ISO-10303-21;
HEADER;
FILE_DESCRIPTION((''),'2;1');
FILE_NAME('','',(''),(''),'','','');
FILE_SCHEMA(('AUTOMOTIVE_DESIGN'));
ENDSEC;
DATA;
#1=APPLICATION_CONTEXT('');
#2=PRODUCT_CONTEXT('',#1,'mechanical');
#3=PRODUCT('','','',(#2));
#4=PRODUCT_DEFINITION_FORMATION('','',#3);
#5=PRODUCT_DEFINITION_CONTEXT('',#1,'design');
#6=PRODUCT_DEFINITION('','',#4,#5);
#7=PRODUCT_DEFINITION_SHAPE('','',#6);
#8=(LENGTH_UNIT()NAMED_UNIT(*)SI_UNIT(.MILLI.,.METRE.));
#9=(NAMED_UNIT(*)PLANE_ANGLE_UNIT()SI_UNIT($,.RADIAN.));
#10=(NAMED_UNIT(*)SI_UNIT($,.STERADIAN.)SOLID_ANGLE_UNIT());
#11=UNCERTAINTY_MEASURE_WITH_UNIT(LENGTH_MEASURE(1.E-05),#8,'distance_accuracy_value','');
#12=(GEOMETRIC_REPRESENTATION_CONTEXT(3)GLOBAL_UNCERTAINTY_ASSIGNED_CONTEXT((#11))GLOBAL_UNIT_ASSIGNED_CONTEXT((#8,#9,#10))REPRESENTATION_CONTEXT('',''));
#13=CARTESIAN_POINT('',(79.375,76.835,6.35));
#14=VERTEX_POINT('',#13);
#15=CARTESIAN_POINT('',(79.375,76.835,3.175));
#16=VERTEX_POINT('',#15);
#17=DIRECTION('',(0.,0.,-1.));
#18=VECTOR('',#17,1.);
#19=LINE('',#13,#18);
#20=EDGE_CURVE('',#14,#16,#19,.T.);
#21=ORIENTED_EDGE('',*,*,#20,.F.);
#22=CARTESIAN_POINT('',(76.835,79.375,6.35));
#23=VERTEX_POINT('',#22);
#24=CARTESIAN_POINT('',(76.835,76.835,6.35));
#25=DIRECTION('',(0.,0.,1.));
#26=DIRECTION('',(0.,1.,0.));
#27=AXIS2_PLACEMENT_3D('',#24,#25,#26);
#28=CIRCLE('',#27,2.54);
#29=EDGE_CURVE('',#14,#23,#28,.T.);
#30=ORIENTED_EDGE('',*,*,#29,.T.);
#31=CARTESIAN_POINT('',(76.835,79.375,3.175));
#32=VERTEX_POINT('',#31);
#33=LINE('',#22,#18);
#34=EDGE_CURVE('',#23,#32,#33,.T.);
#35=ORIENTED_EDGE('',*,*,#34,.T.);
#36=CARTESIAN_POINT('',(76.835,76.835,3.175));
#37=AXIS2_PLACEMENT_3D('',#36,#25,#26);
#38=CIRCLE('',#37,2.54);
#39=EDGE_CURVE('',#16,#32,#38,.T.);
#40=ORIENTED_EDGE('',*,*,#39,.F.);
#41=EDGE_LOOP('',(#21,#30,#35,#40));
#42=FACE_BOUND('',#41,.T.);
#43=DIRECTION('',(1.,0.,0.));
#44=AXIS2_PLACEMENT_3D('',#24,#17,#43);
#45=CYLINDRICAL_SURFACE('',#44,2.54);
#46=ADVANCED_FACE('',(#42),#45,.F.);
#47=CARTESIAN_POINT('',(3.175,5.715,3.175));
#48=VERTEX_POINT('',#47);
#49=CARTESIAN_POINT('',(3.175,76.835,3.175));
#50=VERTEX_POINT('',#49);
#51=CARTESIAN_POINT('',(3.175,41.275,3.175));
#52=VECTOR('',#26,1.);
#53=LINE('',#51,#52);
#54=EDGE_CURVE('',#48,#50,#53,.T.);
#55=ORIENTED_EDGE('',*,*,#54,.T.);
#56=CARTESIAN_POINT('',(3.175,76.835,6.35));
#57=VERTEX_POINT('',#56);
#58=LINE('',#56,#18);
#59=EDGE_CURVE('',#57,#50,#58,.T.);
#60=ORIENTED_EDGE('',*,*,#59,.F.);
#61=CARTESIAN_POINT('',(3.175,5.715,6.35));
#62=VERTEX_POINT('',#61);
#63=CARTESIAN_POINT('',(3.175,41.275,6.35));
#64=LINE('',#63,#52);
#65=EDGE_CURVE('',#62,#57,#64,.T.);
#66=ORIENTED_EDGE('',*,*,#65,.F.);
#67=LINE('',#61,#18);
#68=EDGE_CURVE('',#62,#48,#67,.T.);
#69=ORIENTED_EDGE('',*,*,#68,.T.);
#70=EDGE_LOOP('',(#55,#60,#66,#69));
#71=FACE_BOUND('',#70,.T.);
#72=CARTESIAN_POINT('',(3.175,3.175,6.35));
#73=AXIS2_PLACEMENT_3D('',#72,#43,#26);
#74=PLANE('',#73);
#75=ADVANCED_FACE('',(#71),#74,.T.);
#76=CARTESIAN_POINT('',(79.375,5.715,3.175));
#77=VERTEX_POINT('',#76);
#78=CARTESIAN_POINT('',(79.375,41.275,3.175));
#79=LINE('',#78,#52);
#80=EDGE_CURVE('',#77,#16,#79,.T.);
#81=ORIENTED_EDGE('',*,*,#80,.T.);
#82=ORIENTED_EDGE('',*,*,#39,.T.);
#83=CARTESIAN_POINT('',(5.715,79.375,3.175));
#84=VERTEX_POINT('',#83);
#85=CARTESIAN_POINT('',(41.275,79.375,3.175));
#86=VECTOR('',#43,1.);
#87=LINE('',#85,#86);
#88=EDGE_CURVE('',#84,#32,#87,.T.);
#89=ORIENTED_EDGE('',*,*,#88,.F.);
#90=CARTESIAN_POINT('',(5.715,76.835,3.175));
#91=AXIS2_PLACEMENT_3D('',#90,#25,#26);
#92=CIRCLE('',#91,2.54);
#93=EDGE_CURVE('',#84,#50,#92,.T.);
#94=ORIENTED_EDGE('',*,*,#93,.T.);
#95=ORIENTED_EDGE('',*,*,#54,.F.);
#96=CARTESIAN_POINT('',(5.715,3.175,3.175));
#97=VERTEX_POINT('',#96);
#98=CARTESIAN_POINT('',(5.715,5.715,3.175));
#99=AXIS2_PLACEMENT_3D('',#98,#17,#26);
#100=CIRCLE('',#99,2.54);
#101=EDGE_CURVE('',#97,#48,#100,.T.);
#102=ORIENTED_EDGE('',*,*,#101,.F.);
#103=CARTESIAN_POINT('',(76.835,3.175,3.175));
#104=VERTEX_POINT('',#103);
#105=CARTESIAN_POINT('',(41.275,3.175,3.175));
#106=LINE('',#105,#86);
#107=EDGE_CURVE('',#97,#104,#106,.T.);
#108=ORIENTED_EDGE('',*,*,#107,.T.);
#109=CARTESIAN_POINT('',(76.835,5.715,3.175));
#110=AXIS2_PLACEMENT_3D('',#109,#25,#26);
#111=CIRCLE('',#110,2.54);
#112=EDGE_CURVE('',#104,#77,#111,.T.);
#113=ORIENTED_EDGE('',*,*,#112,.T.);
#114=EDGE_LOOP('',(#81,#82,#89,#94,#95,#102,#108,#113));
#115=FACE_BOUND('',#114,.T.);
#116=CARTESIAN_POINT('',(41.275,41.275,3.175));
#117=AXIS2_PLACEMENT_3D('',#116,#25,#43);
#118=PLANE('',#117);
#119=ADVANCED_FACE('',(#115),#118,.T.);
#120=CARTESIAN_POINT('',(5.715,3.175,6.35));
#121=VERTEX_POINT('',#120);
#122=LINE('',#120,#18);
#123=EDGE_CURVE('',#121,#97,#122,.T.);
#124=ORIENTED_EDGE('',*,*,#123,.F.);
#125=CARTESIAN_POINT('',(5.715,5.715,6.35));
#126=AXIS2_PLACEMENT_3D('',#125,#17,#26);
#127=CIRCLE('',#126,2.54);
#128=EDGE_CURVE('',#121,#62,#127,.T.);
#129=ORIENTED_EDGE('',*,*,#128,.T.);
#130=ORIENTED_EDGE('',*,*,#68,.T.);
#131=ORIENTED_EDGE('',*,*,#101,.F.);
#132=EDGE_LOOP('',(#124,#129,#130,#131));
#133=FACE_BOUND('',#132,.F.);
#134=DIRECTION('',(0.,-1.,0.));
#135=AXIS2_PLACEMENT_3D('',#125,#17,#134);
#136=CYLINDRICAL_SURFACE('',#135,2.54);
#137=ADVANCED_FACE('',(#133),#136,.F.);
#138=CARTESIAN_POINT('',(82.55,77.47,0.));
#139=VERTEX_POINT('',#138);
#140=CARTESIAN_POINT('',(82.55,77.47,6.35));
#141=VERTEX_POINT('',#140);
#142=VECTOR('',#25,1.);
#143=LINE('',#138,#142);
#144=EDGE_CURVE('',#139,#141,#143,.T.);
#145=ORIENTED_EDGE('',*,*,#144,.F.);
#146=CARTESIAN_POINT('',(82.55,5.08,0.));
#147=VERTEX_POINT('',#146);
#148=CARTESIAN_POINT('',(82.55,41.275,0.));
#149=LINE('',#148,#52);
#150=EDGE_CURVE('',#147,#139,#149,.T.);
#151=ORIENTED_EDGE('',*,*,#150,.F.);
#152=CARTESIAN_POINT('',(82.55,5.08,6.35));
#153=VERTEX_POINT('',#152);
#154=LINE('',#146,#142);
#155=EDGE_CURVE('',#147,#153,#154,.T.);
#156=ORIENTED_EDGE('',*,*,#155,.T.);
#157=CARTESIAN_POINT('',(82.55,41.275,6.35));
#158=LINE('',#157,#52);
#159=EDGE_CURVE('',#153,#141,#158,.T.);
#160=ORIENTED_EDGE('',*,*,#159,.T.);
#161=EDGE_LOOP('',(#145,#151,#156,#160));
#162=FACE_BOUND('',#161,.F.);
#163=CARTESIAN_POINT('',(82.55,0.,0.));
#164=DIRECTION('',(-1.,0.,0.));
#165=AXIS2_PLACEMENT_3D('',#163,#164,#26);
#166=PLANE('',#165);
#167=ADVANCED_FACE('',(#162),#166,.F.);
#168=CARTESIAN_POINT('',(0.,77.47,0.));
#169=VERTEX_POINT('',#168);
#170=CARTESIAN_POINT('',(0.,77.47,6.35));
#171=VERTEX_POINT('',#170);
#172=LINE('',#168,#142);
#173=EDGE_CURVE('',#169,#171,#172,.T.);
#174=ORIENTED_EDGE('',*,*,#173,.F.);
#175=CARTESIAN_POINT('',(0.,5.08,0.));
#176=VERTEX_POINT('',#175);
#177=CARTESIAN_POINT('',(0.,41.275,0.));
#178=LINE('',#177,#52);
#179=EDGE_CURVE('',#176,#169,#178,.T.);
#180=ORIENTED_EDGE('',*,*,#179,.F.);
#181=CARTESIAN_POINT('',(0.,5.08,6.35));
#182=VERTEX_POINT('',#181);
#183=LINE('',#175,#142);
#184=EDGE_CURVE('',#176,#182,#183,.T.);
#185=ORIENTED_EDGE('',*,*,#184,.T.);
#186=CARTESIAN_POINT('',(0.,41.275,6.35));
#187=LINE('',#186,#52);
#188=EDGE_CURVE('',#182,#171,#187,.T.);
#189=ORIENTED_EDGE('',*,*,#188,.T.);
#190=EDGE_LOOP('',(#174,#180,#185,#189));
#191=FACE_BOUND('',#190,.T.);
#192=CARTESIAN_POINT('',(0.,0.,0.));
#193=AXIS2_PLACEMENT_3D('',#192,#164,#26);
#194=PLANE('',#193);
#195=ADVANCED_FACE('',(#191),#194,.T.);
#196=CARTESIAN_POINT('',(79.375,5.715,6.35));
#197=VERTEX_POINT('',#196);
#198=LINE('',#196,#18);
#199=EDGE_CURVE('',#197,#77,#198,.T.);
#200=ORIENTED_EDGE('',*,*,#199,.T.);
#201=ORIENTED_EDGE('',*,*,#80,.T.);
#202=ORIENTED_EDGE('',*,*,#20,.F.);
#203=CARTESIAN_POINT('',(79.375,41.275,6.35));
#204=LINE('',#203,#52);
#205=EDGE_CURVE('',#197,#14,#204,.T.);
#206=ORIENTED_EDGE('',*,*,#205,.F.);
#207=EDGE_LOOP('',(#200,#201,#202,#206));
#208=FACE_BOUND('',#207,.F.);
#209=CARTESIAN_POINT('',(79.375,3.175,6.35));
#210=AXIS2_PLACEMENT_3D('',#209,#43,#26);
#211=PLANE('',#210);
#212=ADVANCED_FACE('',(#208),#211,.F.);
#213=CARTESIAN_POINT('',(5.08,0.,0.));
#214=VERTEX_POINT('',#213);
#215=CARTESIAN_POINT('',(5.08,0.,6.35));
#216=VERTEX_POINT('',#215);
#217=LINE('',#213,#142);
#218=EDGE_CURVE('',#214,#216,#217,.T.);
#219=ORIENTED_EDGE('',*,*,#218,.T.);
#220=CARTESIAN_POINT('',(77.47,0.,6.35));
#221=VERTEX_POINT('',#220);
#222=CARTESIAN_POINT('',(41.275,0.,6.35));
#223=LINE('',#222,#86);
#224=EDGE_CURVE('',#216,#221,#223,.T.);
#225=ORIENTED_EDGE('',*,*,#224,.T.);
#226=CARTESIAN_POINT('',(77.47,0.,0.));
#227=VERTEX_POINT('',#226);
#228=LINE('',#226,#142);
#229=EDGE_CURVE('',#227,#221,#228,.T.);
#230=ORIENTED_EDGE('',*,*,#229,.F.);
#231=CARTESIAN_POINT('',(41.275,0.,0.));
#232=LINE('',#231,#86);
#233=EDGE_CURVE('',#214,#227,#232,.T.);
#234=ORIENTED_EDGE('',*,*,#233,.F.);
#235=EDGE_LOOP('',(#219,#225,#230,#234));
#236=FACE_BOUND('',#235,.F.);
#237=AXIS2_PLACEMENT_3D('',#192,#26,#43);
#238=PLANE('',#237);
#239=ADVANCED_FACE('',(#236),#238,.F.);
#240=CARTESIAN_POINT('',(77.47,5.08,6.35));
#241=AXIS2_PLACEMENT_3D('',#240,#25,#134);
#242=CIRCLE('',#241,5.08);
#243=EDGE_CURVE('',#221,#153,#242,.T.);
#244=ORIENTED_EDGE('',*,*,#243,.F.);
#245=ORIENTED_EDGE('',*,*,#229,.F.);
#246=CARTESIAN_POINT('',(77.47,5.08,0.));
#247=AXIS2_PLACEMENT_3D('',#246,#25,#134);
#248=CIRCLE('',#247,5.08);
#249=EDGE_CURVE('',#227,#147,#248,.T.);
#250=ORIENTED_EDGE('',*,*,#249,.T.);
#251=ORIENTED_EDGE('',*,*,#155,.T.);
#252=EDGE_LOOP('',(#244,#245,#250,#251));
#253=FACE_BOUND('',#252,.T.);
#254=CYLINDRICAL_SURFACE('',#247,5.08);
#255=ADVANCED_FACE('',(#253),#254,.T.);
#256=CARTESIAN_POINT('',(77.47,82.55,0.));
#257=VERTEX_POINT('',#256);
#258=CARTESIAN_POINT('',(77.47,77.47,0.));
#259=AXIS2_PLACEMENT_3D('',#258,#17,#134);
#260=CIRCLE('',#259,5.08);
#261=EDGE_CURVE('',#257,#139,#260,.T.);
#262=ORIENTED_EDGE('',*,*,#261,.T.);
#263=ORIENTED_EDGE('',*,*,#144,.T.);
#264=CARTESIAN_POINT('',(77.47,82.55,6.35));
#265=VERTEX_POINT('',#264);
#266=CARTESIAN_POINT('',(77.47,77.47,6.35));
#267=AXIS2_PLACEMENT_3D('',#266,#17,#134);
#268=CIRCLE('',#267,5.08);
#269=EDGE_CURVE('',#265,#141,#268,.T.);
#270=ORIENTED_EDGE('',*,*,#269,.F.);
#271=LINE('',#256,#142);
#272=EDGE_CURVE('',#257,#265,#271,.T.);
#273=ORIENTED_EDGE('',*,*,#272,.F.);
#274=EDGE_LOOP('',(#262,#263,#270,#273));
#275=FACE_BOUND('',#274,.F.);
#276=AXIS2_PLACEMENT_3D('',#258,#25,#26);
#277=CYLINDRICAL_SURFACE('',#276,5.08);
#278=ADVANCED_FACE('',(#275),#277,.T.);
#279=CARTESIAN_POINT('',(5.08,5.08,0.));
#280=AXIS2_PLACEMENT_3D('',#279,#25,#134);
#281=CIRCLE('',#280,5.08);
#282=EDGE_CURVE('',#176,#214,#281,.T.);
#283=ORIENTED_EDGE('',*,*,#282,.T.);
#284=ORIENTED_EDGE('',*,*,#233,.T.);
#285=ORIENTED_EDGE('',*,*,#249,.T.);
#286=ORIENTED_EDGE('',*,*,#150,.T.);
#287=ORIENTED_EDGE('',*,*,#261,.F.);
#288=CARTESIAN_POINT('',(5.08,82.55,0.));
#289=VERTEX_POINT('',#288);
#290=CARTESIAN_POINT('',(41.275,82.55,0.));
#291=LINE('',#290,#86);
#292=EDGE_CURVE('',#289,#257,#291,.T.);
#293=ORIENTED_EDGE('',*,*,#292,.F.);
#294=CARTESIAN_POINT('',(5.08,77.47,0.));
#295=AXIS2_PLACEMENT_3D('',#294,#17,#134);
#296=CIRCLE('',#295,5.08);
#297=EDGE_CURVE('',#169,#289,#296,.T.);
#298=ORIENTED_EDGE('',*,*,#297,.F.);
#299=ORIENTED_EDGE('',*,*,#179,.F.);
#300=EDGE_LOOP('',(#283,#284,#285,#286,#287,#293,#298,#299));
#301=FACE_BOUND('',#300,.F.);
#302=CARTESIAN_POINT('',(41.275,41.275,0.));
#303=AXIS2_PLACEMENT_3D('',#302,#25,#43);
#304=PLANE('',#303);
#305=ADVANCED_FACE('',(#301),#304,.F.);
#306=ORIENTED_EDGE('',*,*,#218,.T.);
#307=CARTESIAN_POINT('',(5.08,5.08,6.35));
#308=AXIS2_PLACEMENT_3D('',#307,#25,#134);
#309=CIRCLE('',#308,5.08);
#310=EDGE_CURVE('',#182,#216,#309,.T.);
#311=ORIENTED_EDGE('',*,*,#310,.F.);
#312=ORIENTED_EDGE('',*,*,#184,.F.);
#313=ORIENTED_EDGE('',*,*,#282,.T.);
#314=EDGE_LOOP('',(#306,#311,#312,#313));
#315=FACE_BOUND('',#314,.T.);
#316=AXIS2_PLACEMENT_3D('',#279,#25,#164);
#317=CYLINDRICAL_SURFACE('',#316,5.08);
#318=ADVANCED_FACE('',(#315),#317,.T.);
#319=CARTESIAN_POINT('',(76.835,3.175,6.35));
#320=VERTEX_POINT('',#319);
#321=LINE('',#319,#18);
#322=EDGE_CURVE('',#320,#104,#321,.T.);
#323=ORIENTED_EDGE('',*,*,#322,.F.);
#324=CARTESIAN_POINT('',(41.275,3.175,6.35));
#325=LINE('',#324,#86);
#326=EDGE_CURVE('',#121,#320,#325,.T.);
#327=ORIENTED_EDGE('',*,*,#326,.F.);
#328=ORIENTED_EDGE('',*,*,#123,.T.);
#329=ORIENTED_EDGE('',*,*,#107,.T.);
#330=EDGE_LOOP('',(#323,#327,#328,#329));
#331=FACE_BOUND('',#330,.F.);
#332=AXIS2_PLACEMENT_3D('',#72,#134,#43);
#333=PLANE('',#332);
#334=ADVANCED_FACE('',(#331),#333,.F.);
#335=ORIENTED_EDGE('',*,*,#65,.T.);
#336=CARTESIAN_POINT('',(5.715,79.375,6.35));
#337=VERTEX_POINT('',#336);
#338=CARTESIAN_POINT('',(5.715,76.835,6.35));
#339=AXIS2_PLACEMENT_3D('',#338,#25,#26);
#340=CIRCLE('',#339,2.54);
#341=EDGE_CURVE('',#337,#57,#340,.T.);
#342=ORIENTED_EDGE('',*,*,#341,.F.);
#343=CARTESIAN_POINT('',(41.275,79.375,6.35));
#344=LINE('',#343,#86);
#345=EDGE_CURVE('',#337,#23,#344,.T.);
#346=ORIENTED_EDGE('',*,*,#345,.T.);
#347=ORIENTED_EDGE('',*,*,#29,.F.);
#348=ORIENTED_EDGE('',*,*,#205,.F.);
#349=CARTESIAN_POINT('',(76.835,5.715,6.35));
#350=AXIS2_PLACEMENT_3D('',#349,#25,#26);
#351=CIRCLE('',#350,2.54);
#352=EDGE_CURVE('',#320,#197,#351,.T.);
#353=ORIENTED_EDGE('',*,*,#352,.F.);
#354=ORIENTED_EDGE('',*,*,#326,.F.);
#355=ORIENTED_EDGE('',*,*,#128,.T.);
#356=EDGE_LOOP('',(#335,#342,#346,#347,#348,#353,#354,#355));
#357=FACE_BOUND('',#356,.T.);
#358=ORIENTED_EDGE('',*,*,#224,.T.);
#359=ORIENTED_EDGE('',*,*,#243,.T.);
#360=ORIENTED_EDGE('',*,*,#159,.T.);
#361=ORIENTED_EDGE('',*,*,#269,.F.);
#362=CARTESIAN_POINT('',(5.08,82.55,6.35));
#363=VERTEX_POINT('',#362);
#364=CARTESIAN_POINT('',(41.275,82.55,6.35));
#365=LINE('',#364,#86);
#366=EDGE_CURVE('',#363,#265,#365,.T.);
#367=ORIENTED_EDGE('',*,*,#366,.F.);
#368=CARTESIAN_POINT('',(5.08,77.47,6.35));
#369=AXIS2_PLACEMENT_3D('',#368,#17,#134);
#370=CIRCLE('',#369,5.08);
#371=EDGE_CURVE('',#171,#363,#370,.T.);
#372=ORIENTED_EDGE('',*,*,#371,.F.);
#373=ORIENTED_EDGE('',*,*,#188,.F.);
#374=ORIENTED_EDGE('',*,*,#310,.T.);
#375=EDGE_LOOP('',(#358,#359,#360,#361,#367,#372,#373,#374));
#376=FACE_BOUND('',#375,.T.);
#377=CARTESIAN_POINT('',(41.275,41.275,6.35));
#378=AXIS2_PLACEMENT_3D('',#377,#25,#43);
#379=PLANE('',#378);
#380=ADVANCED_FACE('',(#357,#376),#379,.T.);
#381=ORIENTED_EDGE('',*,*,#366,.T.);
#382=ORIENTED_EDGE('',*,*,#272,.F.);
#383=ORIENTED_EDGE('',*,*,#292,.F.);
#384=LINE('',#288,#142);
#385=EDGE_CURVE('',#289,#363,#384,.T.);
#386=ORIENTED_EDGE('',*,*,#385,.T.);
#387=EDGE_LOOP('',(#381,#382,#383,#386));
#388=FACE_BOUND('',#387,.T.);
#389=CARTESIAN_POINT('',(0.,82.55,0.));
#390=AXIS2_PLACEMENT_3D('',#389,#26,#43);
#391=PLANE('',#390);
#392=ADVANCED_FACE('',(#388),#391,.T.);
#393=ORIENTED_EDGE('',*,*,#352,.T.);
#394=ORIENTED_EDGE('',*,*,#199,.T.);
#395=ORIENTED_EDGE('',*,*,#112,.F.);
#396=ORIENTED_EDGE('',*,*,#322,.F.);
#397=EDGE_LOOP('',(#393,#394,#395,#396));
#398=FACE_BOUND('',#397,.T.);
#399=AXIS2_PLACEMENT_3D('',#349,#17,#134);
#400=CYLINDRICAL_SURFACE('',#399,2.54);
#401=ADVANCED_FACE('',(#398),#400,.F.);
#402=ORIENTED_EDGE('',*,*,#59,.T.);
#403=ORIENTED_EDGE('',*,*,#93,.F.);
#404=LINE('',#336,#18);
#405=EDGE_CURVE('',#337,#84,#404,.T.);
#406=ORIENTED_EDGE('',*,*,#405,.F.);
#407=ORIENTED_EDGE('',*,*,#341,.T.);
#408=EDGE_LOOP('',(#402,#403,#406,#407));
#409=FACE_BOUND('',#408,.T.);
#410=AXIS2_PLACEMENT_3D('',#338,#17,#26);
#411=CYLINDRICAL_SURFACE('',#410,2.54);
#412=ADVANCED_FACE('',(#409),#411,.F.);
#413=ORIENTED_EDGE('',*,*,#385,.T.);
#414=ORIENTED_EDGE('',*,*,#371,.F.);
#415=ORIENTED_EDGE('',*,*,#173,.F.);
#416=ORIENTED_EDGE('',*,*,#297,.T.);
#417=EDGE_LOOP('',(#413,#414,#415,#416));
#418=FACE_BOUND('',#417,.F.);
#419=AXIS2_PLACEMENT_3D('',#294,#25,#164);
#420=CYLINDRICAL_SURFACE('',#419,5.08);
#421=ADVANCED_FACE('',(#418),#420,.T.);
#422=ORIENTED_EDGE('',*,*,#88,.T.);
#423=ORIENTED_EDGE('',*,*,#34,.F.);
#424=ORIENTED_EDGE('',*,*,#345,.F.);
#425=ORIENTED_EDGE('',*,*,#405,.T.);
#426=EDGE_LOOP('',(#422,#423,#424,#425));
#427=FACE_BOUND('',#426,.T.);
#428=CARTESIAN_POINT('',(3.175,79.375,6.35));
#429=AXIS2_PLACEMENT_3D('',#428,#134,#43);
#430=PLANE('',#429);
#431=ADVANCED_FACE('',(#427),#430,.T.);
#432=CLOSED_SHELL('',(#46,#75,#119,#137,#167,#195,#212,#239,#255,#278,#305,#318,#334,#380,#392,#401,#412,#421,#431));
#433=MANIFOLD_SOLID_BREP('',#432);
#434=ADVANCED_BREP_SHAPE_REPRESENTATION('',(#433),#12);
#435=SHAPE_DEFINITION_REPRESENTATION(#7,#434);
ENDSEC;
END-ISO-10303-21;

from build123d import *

# Parameters (mm, degrees)
F0_W     = 82.55
F0_H     = 82.55
F1_DEPTH = 6.35
F2_W     = 76.2
F2_H     = 76.2
F3_DEPTH = 3.175
F4_R     = 5.08
F5_R     = 2.54


with BuildPart() as f1:
    # F0 (on Top) → F1 (new body)
    with BuildSketch(Plane.XY):
        with Locations((41.275, 41.275)):
            Rectangle(F0_W, F0_H)
    extrude(amount=F1_DEPTH)

    # F2 (on face) → F3 (cut)
    with BuildSketch(Plane.XY.offset(6.35)):
        with Locations((41.275, 41.275)):
            Rectangle(F2_W, F2_H)
    extrude(amount=-F3_DEPTH, mode=Mode.SUBTRACT)

    # F4
    f4_edges = [f1.edges().sort_by_distance(p)[0] for p in [
        (0, 0, 3.175),
        (82.55, 0, 3.175),
        (82.55, 82.55, 3.175),
        (0, 82.55, 3.175),
    ]]
    fillet(f4_edges, radius=F4_R)

    # F5
    f5_edges = [f1.edges().sort_by_distance(p)[0] for p in [
        (79.375, 3.175, 4.7625),
        (3.175, 3.175, 4.7625),
        (3.175, 79.375, 4.7625),
        (79.375, 79.375, 4.7625),
    ]]
    fillet(f5_edges, radius=F5_R)


solid = f1.part
